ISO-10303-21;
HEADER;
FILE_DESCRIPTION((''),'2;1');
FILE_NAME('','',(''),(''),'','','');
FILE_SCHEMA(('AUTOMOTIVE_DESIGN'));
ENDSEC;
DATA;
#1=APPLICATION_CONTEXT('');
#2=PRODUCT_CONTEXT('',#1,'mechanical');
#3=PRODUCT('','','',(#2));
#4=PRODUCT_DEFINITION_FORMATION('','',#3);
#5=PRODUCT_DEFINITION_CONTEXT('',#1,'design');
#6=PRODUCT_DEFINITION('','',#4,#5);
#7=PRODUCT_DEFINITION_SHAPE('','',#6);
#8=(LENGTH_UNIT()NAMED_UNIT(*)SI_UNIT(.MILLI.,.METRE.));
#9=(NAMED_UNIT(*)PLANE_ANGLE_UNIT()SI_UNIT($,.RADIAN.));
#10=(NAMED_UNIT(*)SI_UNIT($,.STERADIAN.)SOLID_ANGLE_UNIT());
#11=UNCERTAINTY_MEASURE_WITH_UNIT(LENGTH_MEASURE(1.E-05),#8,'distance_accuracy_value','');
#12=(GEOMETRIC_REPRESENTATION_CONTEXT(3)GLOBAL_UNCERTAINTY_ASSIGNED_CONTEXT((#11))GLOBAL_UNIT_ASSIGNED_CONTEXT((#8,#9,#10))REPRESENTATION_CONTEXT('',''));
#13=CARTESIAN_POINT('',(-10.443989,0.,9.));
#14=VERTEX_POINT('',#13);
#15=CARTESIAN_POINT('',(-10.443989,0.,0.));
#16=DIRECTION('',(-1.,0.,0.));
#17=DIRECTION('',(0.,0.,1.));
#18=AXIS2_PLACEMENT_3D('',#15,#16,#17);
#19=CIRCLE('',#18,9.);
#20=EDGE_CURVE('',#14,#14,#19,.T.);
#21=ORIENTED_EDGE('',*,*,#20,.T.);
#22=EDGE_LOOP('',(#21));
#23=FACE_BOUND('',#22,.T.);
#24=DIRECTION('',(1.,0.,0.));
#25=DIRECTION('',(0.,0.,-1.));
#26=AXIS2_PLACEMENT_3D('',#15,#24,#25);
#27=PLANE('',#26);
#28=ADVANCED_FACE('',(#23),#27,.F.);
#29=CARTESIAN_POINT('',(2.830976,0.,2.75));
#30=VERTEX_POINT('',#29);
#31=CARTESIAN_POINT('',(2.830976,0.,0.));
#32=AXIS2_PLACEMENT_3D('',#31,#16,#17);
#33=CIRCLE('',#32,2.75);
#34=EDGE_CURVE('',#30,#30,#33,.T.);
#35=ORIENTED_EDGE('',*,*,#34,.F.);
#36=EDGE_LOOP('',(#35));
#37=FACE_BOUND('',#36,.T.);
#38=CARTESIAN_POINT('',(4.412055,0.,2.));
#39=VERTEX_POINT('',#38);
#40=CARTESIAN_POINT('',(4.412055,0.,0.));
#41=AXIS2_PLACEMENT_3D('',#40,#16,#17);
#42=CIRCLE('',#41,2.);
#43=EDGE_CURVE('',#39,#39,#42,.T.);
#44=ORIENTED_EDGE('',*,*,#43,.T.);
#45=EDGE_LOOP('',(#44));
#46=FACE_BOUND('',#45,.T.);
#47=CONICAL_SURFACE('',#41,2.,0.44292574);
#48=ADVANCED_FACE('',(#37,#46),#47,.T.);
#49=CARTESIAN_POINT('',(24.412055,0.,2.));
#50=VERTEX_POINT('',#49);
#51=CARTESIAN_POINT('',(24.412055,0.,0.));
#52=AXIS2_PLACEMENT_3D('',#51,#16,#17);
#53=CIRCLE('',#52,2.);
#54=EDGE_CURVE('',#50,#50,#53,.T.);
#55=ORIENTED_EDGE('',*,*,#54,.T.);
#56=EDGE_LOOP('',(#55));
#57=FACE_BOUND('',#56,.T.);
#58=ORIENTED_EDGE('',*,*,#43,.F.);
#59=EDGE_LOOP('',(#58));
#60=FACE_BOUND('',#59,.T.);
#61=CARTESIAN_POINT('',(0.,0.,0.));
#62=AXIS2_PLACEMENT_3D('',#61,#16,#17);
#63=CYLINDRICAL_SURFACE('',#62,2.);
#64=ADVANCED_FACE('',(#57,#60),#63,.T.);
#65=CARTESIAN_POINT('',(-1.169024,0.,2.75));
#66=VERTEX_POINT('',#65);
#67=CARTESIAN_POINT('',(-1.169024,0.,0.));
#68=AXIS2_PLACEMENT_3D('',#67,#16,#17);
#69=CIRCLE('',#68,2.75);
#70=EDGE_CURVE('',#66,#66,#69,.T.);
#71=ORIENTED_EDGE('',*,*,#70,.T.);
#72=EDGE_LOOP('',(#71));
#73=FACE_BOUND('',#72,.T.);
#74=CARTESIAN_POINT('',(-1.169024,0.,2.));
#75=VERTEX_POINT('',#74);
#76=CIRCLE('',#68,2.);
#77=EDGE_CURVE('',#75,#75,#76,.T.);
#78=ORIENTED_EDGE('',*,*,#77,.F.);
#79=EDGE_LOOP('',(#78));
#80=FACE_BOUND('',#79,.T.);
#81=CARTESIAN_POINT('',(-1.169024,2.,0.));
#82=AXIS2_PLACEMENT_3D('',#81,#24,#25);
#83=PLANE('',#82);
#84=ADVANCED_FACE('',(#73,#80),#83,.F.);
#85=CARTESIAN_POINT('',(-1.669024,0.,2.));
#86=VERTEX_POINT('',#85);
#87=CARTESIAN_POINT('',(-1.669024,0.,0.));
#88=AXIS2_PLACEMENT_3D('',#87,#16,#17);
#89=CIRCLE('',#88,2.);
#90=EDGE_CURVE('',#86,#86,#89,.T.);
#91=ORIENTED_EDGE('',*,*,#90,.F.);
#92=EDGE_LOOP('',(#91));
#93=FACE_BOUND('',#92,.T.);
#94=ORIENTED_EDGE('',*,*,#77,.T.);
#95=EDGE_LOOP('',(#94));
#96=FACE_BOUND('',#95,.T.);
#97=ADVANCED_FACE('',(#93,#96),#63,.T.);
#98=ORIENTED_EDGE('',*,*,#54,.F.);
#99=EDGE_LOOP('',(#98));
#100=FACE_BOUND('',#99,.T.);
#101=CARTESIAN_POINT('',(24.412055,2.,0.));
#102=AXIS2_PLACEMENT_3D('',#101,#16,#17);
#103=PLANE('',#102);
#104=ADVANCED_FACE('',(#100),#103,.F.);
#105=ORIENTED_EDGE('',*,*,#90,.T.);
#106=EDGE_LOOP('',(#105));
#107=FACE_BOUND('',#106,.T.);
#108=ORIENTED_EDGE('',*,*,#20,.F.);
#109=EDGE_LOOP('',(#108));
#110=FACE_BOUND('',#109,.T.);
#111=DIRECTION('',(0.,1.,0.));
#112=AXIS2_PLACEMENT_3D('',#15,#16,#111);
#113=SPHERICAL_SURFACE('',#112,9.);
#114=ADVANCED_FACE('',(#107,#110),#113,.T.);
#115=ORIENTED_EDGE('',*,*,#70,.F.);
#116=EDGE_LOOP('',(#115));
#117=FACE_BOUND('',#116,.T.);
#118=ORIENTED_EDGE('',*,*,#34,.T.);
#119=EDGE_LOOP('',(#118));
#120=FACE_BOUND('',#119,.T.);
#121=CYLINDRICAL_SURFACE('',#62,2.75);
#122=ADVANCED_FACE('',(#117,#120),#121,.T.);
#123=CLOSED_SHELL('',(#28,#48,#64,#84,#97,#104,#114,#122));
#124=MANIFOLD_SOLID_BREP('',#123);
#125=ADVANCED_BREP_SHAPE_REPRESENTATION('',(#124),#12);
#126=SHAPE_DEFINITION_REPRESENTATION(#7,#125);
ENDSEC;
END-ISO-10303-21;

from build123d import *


with BuildPart() as part:
    # 草图1 → 旋转1 (revolve)
    with BuildSketch(Plane.XY, mode=Mode.PRIVATE) as revolve_1_sk:
        with BuildLine():
            Line((-1.169024225, 2), (-1.169024225, 2.75))
            Line((-1.169024225, 2.75), (2.830975775, 2.75))
            Line((2.830975775, 2.75), (4.412054598, 2))
            Line((4.412054598, 2), (24.412054598, 2))
            Line((24.412054598, 2), (24.412054598, 0))
            Line((24.412054598, 0), (-10.443988612, 0))
            Line((-10.443988612, 0), (-10.443988612, 9))
            ThreePointArc((-10.443988612, 9), (-4.831502532, 7.03562364), (-1.669024225, 2))
            Line((-1.669024225, 2), (-1.169024225, 2))
        make_face()
    revolve(revolve_1_sk.sketch.rotate(Axis((0, 0, 0), (1, 0, 0)), 90), axis=Axis((0, 0, 0), (1, 0, 0)))


solid = part.part
